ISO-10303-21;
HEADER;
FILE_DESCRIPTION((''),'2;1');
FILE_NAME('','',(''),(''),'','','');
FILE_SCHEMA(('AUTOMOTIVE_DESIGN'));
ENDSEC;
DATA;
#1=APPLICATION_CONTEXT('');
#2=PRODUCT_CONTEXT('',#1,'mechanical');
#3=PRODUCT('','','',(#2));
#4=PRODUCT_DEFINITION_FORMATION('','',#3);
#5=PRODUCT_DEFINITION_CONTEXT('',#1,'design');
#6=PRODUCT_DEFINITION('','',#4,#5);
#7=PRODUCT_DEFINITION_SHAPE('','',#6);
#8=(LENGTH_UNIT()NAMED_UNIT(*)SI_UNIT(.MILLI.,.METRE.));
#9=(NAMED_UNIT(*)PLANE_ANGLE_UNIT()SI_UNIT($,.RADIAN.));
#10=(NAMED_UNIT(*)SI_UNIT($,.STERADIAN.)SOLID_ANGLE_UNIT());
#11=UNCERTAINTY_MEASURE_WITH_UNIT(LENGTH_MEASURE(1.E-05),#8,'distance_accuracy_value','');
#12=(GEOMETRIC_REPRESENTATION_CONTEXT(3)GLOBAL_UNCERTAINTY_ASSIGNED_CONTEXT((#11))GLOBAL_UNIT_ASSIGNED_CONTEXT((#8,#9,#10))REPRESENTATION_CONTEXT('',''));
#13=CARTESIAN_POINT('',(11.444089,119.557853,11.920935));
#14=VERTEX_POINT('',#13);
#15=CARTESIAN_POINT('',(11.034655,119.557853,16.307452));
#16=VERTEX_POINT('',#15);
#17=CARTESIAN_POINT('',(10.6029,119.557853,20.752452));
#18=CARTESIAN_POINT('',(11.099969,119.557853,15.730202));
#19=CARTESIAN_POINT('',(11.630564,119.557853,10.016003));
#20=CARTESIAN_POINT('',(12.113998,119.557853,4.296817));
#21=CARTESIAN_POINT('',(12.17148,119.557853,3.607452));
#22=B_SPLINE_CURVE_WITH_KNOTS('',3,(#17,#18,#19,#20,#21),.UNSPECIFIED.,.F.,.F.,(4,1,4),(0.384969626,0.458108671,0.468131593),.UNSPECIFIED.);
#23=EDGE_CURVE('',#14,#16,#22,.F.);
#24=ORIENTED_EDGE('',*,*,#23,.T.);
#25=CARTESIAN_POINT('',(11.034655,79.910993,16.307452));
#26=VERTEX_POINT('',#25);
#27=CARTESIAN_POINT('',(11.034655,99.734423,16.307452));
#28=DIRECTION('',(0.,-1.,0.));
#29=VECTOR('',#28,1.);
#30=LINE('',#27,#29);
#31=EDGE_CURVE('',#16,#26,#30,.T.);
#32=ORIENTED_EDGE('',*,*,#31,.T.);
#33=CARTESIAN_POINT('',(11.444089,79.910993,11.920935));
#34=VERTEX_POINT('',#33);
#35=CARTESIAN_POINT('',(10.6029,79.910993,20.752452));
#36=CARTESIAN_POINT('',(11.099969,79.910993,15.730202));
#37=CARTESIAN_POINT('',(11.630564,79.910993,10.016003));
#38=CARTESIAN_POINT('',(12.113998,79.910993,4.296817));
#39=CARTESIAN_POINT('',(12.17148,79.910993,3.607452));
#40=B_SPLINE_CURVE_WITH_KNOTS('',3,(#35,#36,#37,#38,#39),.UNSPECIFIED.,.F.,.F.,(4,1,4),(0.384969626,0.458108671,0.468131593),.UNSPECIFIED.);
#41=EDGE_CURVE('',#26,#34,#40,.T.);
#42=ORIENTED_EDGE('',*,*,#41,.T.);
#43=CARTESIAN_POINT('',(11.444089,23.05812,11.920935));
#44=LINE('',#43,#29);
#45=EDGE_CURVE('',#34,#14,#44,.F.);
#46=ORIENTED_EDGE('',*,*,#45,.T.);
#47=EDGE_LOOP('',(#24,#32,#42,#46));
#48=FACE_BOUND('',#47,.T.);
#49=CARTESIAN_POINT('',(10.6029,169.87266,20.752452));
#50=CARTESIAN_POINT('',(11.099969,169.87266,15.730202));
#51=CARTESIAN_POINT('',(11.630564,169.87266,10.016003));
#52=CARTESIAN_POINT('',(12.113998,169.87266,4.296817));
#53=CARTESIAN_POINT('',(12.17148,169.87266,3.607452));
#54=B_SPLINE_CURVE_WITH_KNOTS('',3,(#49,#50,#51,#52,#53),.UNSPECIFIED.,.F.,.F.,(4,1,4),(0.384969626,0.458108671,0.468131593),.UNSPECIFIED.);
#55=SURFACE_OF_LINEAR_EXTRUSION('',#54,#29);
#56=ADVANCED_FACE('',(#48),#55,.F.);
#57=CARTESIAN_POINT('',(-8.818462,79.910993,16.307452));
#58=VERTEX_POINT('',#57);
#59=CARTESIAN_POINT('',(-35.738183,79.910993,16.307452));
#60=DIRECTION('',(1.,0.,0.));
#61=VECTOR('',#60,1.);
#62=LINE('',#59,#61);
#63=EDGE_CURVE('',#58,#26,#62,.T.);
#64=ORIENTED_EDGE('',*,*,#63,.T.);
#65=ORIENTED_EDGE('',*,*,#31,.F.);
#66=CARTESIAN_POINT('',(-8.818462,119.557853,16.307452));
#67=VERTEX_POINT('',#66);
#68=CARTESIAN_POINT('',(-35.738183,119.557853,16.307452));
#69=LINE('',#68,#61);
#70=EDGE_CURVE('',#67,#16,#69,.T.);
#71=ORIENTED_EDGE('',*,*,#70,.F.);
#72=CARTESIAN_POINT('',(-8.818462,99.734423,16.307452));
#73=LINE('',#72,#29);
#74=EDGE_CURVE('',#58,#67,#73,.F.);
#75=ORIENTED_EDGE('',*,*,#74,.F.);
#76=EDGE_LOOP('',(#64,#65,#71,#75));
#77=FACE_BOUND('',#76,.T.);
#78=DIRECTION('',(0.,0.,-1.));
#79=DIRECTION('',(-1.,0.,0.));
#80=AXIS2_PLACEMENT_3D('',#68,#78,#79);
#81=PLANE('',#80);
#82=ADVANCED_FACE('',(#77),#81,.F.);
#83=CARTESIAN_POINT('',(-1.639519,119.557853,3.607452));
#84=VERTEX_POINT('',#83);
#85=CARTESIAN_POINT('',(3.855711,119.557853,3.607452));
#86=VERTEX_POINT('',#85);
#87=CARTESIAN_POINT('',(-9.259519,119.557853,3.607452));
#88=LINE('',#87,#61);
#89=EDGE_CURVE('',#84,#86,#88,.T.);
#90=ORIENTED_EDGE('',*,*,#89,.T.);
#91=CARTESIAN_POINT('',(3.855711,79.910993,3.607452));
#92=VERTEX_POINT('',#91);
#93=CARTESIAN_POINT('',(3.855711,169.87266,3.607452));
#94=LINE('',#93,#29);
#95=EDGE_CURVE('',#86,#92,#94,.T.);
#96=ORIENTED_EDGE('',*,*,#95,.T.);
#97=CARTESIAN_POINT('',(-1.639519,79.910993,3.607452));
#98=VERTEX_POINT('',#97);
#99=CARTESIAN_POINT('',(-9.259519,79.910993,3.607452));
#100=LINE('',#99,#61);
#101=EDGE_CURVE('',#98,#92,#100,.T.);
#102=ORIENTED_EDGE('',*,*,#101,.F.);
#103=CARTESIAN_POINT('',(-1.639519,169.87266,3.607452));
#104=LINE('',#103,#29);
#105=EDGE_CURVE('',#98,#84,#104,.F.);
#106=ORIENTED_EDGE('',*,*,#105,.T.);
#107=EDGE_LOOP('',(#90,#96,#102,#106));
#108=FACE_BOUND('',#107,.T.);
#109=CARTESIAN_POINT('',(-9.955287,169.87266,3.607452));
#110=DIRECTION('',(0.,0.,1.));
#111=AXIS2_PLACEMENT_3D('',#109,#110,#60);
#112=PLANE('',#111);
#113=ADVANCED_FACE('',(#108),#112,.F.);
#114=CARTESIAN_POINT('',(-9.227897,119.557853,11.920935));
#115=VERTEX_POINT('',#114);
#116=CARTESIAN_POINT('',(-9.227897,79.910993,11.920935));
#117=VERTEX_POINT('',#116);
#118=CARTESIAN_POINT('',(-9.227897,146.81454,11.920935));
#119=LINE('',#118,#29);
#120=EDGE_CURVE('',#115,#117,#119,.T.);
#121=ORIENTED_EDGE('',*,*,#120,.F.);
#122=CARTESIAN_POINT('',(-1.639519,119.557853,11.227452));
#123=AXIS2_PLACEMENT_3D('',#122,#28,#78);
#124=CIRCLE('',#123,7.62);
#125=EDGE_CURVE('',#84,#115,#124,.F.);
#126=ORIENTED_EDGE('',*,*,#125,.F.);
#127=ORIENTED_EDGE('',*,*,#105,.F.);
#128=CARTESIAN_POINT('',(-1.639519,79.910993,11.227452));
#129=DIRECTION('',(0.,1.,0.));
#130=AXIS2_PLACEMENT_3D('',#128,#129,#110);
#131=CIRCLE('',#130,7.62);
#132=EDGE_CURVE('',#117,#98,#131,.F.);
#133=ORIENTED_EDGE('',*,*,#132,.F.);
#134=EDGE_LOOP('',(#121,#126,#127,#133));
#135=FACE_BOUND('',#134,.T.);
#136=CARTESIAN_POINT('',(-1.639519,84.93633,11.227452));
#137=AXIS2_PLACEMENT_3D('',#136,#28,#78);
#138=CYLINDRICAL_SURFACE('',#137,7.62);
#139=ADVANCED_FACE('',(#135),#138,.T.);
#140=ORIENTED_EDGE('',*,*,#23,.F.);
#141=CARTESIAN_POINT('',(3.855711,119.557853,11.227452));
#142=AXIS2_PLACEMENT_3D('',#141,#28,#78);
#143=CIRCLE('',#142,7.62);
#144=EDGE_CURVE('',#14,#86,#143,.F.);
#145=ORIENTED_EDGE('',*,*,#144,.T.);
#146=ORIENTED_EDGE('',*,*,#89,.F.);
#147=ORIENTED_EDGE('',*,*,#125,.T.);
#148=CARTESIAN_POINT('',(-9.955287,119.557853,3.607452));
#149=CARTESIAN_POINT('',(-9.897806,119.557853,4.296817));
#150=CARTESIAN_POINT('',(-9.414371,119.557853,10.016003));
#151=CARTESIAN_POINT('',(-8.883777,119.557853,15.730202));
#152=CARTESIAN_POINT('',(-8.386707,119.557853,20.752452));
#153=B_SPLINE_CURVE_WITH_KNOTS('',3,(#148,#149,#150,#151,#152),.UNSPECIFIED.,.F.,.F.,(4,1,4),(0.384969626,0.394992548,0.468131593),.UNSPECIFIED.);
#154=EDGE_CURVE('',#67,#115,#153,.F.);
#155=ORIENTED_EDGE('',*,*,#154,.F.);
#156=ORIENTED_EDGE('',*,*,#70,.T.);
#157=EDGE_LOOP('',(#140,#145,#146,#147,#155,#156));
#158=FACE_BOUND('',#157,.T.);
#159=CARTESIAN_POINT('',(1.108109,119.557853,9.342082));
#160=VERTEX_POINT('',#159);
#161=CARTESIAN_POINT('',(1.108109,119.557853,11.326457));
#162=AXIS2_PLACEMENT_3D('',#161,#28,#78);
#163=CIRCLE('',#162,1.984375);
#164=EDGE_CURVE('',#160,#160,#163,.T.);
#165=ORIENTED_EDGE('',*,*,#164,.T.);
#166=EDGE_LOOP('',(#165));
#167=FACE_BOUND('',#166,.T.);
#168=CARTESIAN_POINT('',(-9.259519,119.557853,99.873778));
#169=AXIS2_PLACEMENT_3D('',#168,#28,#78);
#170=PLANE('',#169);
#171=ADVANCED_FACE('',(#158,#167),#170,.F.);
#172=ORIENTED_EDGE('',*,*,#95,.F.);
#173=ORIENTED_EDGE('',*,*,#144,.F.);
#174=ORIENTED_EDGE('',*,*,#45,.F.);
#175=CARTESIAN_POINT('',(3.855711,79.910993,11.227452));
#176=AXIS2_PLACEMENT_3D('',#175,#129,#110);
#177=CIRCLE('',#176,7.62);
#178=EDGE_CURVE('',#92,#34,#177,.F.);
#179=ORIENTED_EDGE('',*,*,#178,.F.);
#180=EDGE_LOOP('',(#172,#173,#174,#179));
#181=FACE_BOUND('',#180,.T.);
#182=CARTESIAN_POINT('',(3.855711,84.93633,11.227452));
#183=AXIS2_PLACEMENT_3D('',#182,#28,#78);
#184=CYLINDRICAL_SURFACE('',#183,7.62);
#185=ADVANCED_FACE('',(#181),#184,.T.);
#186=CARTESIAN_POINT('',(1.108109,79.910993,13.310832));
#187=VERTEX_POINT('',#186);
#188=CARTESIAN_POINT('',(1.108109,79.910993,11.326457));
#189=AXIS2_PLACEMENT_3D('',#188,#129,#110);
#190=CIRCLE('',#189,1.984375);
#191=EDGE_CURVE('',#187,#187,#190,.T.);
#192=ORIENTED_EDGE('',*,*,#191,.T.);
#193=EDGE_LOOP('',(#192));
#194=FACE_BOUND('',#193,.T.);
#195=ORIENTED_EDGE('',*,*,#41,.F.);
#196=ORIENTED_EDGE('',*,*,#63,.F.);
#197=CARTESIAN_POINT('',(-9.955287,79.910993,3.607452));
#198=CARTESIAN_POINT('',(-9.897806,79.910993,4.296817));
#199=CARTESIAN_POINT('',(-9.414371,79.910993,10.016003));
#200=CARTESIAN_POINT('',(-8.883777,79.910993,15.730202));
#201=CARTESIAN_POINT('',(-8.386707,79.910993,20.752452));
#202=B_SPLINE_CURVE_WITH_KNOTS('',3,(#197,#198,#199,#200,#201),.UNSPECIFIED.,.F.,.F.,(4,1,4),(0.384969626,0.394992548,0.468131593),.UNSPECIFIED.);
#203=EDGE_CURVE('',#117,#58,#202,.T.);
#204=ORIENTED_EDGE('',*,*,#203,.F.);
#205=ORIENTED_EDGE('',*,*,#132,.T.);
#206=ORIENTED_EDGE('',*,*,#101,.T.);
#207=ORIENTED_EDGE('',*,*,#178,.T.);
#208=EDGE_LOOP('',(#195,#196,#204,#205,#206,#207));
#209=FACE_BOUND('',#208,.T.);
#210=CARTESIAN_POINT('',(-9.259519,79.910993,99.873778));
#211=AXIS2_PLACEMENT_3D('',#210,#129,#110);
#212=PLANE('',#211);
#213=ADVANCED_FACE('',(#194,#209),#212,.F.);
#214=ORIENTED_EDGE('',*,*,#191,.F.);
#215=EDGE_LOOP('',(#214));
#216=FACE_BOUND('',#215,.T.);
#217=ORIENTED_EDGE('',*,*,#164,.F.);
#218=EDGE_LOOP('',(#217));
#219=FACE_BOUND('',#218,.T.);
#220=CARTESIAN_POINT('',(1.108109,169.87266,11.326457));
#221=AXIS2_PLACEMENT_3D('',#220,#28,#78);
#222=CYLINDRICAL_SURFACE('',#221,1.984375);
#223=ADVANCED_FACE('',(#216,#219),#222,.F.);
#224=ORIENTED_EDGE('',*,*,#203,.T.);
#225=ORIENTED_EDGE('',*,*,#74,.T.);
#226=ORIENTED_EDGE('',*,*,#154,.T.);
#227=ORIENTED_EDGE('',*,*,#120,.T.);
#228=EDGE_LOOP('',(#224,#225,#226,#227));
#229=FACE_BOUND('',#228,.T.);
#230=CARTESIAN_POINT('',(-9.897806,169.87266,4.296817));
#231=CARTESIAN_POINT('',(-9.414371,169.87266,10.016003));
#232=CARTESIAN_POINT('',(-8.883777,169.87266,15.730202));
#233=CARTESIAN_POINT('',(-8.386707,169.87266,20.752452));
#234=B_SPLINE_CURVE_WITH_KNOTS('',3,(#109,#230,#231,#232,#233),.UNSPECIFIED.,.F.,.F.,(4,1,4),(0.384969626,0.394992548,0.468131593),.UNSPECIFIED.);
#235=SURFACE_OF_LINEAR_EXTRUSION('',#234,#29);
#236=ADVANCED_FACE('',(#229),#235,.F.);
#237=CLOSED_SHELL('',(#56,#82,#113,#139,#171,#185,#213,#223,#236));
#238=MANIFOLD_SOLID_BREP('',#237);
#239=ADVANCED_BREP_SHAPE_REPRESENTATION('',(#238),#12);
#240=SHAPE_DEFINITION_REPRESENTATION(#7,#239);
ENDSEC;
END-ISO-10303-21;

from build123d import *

# Parameters (mm, degrees)
SKETCH1_R               = 1.984375
BOSS_EXTRUDE1_DEPTH     = 169.87265999999997
CUT_EXTRUDE1_DEPTH      = 23.05812
CUT_EXTRUDE2_START      = -169.87266
CUT_EXTRUDE2_DEPTH      = 23.05812
FILLET1_R               = 7.62
CUT_EXTRUDE3_DEPTH      = 198.3909425992125
CUT_EXTRUDE3_DEPTH_BACK = 198.3909425992125
SKETCH6_R               = 2.100000000000005
SKETCH6_R_2             = 2.0999999999999983
CUT_EXTRUDE4_DEPTH      = 198.3909425992125
CUT_EXTRUDE4_DEPTH_BACK = 198.3909425992125
SKETCH7_W               = 96.26632678346117
SKETCH7_H               = 79.91099312056471
SKETCH7_H_2             = 50.31480687943524
CUT_EXTRUDE5_DEPTH      = 109.06635501646407
CUT_EXTRUDE5_DEPTH_BACK = 109.06635501646407


with BuildPart() as part:
    # Sketch1 → Boss-Extrude1 (new body)
    with BuildSketch(Plane(origin=(0, 0, 0), x_dir=(1, 0, 0), z_dir=(0, 1, 0))):
        with BuildLine():
            Line((-9.955287346489113, -3.6074515728352274), (-6.769721367669625, -3.607451572835229))
            Line((-6.769721367669625, -3.607451572835229), (8.985913588520251, -3.607451572835254))
            Line((8.985913588520251, -3.607451572835254), (12.171479567676489, -3.6074515728352536))
            add(Edge.make_bspline(
                [(10.60289964969583, -20.752451572835255), (11.099968974105767, -15.73020157118813), (11.63056361676113, -10.016003165571346), (12.11399787104698, -4.2968169522780775), (12.171479567676489, -3.6074515728352536)],
                knots=[0.38496962590391054, 0.38496962590391054, 0.38496962590391054, 0.38496962590391054, 0.4581086713676085, 0.468131593311824, 0.468131593311824, 0.468131593311824, 0.468131593311824], degree=3))
            add(Edge.make_bspline(
                [(1.1080961105936413, -99.87377835629641), (4.527344743513008, -73.5317641629186), (7.98655990047842, -47.187219651543), (10.60289964969583, -20.752451572835255)],
                knots=[0, 0, 0, 0, 0.38496962590391054, 0.38496962590391054, 0.38496962590391054, 0.38496962590391054], degree=3))
            add(Edge.make_bspline(
                [(1.1080961105936413, -99.87377835629641), (-2.311152522316452, -73.53176416292023), (-5.77036767929202, -47.18721965154205), (-8.386707428509173, -20.752451572835213)],
                knots=[0, 0, 0, 0, 0.3849696259039116, 0.3849696259039116, 0.3849696259039116, 0.3849696259039116], degree=3))
            add(Edge.make_bspline(
                [(-8.386707428509173, -20.752451572835213), (-8.88377675291906, -15.730201571188243), (-9.414371395575625, -10.016003165551679), (-9.897805649859514, -4.29681695227938), (-9.955287346489113, -3.6074515728352274)],
                knots=[0.3849696259039116, 0.3849696259039116, 0.3849696259039116, 0.3849696259039116, 0.4581086713676079, 0.46813159331185, 0.46813159331185, 0.46813159331185, 0.46813159331185], degree=3))
        make_face()
        with Locations(Location((1.10810856874065, -11.326456678177, 0), (0, 0, 270))):
            Circle(SKETCH1_R, mode=Mode.SUBTRACT)
    extrude(amount=BOSS_EXTRUDE1_DEPTH)

    # Sketch2 → Cut-Extrude1 (cut)
    with BuildSketch(Plane(origin=(0, 169.87265999999997, 0), x_dir=(1, 0, 0), z_dir=(0, 1, 0))):
        Polygon((-9.955287346489113, -3.6074515728352274), (25.808519749497883, -3.6074515728352274), (25.808519749497883, -26.312456678177), (-9.95528734648911, -26.312456678177), align=None)
    extrude(amount=-CUT_EXTRUDE1_DEPTH, mode=Mode.SUBTRACT)

    # Sketch2<2> → Cut-Extrude2 (cut)
    with BuildSketch(Plane(origin=(0, 169.87265999999997, 0), x_dir=(1, 0, 0), z_dir=(0, 1, 0)).offset(CUT_EXTRUDE2_START)):
        Polygon((-9.955287346489113, -3.6074515728352274), (25.808519749497883, -3.6074515728352274), (25.808519749497883, -26.312456678177), (-9.95528734648911, -26.312456678177), align=None)
    extrude(amount=CUT_EXTRUDE2_DEPTH, mode=Mode.SUBTRACT)

    # Fillet1
    fillet1_edges = [part.edges().sort_by_distance(p)[0] for p in [
        (-7.8241553741226255, 11.529059999999971, 26.312456678177),
        (10.04034759530939, 11.529059999999971, 26.312456678177),
        (-9.955287346489113, 84.93632999999997, 3.6074515728352274),
        (12.171479567676489, 84.93632999999997, 3.6074515728352536),
        (-7.8241553741226255, 158.34359999999998, 26.312456678177),
        (10.04034759530939, 158.34359999999998, 26.312456678177),
    ]]
    fillet(fillet1_edges, radius=FILLET1_R)

    # Sketch6 → Cut-Extrude3 (cut, two sides: drawn at the far end of the back side and taken through both)
    with BuildSketch(Plane.XZ.offset(-CUT_EXTRUDE3_DEPTH_BACK)):
        with Locations(Location((1.1080961105936413, 71.9337783562964, 0), (0, 0, 270))):
            Circle(SKETCH6_R)
        with Locations(Location((1.1080961105935272, 34.76055213743882, 0), (0, 0, 270))):
            Circle(SKETCH6_R_2)
    extrude(amount=CUT_EXTRUDE3_DEPTH + CUT_EXTRUDE3_DEPTH_BACK, mode=Mode.SUBTRACT)

    # Sketch7 → Cut-Extrude4 (cut, two sides: drawn at the far end of the back side and taken through both)
    with BuildSketch(Plane(origin=(0, 0, 0), x_dir=(0, 0, -1), z_dir=(1, 0, 0)).offset(-CUT_EXTRUDE4_DEPTH_BACK)):
        with Locations((-51.740614964565815, 39.955496560282356)):
            Rectangle(SKETCH7_W, SKETCH7_H)
        with Locations((-51.740614964565815, 144.71525656028234)):
            Rectangle(SKETCH7_W, SKETCH7_H_2)
    extrude(amount=CUT_EXTRUDE4_DEPTH + CUT_EXTRUDE4_DEPTH_BACK, mode=Mode.SUBTRACT)

    # Sketch8 → Cut-Extrude5 (cut, two sides: drawn at the far end of the back side and taken through both)
    with BuildSketch(Plane.XZ.offset(-79.91099312056471).offset(-CUT_EXTRUDE5_DEPTH_BACK)):
        Polygon((-35.738182727497644, 136.6065064389988), (32.4461710118659, 136.6065064389988), (32.446171011865914, 16.307451572835227), (-35.73818272749763, 16.307451572835227), align=None)
    extrude(amount=CUT_EXTRUDE5_DEPTH + CUT_EXTRUDE5_DEPTH_BACK, mode=Mode.SUBTRACT)


solid = part.part
